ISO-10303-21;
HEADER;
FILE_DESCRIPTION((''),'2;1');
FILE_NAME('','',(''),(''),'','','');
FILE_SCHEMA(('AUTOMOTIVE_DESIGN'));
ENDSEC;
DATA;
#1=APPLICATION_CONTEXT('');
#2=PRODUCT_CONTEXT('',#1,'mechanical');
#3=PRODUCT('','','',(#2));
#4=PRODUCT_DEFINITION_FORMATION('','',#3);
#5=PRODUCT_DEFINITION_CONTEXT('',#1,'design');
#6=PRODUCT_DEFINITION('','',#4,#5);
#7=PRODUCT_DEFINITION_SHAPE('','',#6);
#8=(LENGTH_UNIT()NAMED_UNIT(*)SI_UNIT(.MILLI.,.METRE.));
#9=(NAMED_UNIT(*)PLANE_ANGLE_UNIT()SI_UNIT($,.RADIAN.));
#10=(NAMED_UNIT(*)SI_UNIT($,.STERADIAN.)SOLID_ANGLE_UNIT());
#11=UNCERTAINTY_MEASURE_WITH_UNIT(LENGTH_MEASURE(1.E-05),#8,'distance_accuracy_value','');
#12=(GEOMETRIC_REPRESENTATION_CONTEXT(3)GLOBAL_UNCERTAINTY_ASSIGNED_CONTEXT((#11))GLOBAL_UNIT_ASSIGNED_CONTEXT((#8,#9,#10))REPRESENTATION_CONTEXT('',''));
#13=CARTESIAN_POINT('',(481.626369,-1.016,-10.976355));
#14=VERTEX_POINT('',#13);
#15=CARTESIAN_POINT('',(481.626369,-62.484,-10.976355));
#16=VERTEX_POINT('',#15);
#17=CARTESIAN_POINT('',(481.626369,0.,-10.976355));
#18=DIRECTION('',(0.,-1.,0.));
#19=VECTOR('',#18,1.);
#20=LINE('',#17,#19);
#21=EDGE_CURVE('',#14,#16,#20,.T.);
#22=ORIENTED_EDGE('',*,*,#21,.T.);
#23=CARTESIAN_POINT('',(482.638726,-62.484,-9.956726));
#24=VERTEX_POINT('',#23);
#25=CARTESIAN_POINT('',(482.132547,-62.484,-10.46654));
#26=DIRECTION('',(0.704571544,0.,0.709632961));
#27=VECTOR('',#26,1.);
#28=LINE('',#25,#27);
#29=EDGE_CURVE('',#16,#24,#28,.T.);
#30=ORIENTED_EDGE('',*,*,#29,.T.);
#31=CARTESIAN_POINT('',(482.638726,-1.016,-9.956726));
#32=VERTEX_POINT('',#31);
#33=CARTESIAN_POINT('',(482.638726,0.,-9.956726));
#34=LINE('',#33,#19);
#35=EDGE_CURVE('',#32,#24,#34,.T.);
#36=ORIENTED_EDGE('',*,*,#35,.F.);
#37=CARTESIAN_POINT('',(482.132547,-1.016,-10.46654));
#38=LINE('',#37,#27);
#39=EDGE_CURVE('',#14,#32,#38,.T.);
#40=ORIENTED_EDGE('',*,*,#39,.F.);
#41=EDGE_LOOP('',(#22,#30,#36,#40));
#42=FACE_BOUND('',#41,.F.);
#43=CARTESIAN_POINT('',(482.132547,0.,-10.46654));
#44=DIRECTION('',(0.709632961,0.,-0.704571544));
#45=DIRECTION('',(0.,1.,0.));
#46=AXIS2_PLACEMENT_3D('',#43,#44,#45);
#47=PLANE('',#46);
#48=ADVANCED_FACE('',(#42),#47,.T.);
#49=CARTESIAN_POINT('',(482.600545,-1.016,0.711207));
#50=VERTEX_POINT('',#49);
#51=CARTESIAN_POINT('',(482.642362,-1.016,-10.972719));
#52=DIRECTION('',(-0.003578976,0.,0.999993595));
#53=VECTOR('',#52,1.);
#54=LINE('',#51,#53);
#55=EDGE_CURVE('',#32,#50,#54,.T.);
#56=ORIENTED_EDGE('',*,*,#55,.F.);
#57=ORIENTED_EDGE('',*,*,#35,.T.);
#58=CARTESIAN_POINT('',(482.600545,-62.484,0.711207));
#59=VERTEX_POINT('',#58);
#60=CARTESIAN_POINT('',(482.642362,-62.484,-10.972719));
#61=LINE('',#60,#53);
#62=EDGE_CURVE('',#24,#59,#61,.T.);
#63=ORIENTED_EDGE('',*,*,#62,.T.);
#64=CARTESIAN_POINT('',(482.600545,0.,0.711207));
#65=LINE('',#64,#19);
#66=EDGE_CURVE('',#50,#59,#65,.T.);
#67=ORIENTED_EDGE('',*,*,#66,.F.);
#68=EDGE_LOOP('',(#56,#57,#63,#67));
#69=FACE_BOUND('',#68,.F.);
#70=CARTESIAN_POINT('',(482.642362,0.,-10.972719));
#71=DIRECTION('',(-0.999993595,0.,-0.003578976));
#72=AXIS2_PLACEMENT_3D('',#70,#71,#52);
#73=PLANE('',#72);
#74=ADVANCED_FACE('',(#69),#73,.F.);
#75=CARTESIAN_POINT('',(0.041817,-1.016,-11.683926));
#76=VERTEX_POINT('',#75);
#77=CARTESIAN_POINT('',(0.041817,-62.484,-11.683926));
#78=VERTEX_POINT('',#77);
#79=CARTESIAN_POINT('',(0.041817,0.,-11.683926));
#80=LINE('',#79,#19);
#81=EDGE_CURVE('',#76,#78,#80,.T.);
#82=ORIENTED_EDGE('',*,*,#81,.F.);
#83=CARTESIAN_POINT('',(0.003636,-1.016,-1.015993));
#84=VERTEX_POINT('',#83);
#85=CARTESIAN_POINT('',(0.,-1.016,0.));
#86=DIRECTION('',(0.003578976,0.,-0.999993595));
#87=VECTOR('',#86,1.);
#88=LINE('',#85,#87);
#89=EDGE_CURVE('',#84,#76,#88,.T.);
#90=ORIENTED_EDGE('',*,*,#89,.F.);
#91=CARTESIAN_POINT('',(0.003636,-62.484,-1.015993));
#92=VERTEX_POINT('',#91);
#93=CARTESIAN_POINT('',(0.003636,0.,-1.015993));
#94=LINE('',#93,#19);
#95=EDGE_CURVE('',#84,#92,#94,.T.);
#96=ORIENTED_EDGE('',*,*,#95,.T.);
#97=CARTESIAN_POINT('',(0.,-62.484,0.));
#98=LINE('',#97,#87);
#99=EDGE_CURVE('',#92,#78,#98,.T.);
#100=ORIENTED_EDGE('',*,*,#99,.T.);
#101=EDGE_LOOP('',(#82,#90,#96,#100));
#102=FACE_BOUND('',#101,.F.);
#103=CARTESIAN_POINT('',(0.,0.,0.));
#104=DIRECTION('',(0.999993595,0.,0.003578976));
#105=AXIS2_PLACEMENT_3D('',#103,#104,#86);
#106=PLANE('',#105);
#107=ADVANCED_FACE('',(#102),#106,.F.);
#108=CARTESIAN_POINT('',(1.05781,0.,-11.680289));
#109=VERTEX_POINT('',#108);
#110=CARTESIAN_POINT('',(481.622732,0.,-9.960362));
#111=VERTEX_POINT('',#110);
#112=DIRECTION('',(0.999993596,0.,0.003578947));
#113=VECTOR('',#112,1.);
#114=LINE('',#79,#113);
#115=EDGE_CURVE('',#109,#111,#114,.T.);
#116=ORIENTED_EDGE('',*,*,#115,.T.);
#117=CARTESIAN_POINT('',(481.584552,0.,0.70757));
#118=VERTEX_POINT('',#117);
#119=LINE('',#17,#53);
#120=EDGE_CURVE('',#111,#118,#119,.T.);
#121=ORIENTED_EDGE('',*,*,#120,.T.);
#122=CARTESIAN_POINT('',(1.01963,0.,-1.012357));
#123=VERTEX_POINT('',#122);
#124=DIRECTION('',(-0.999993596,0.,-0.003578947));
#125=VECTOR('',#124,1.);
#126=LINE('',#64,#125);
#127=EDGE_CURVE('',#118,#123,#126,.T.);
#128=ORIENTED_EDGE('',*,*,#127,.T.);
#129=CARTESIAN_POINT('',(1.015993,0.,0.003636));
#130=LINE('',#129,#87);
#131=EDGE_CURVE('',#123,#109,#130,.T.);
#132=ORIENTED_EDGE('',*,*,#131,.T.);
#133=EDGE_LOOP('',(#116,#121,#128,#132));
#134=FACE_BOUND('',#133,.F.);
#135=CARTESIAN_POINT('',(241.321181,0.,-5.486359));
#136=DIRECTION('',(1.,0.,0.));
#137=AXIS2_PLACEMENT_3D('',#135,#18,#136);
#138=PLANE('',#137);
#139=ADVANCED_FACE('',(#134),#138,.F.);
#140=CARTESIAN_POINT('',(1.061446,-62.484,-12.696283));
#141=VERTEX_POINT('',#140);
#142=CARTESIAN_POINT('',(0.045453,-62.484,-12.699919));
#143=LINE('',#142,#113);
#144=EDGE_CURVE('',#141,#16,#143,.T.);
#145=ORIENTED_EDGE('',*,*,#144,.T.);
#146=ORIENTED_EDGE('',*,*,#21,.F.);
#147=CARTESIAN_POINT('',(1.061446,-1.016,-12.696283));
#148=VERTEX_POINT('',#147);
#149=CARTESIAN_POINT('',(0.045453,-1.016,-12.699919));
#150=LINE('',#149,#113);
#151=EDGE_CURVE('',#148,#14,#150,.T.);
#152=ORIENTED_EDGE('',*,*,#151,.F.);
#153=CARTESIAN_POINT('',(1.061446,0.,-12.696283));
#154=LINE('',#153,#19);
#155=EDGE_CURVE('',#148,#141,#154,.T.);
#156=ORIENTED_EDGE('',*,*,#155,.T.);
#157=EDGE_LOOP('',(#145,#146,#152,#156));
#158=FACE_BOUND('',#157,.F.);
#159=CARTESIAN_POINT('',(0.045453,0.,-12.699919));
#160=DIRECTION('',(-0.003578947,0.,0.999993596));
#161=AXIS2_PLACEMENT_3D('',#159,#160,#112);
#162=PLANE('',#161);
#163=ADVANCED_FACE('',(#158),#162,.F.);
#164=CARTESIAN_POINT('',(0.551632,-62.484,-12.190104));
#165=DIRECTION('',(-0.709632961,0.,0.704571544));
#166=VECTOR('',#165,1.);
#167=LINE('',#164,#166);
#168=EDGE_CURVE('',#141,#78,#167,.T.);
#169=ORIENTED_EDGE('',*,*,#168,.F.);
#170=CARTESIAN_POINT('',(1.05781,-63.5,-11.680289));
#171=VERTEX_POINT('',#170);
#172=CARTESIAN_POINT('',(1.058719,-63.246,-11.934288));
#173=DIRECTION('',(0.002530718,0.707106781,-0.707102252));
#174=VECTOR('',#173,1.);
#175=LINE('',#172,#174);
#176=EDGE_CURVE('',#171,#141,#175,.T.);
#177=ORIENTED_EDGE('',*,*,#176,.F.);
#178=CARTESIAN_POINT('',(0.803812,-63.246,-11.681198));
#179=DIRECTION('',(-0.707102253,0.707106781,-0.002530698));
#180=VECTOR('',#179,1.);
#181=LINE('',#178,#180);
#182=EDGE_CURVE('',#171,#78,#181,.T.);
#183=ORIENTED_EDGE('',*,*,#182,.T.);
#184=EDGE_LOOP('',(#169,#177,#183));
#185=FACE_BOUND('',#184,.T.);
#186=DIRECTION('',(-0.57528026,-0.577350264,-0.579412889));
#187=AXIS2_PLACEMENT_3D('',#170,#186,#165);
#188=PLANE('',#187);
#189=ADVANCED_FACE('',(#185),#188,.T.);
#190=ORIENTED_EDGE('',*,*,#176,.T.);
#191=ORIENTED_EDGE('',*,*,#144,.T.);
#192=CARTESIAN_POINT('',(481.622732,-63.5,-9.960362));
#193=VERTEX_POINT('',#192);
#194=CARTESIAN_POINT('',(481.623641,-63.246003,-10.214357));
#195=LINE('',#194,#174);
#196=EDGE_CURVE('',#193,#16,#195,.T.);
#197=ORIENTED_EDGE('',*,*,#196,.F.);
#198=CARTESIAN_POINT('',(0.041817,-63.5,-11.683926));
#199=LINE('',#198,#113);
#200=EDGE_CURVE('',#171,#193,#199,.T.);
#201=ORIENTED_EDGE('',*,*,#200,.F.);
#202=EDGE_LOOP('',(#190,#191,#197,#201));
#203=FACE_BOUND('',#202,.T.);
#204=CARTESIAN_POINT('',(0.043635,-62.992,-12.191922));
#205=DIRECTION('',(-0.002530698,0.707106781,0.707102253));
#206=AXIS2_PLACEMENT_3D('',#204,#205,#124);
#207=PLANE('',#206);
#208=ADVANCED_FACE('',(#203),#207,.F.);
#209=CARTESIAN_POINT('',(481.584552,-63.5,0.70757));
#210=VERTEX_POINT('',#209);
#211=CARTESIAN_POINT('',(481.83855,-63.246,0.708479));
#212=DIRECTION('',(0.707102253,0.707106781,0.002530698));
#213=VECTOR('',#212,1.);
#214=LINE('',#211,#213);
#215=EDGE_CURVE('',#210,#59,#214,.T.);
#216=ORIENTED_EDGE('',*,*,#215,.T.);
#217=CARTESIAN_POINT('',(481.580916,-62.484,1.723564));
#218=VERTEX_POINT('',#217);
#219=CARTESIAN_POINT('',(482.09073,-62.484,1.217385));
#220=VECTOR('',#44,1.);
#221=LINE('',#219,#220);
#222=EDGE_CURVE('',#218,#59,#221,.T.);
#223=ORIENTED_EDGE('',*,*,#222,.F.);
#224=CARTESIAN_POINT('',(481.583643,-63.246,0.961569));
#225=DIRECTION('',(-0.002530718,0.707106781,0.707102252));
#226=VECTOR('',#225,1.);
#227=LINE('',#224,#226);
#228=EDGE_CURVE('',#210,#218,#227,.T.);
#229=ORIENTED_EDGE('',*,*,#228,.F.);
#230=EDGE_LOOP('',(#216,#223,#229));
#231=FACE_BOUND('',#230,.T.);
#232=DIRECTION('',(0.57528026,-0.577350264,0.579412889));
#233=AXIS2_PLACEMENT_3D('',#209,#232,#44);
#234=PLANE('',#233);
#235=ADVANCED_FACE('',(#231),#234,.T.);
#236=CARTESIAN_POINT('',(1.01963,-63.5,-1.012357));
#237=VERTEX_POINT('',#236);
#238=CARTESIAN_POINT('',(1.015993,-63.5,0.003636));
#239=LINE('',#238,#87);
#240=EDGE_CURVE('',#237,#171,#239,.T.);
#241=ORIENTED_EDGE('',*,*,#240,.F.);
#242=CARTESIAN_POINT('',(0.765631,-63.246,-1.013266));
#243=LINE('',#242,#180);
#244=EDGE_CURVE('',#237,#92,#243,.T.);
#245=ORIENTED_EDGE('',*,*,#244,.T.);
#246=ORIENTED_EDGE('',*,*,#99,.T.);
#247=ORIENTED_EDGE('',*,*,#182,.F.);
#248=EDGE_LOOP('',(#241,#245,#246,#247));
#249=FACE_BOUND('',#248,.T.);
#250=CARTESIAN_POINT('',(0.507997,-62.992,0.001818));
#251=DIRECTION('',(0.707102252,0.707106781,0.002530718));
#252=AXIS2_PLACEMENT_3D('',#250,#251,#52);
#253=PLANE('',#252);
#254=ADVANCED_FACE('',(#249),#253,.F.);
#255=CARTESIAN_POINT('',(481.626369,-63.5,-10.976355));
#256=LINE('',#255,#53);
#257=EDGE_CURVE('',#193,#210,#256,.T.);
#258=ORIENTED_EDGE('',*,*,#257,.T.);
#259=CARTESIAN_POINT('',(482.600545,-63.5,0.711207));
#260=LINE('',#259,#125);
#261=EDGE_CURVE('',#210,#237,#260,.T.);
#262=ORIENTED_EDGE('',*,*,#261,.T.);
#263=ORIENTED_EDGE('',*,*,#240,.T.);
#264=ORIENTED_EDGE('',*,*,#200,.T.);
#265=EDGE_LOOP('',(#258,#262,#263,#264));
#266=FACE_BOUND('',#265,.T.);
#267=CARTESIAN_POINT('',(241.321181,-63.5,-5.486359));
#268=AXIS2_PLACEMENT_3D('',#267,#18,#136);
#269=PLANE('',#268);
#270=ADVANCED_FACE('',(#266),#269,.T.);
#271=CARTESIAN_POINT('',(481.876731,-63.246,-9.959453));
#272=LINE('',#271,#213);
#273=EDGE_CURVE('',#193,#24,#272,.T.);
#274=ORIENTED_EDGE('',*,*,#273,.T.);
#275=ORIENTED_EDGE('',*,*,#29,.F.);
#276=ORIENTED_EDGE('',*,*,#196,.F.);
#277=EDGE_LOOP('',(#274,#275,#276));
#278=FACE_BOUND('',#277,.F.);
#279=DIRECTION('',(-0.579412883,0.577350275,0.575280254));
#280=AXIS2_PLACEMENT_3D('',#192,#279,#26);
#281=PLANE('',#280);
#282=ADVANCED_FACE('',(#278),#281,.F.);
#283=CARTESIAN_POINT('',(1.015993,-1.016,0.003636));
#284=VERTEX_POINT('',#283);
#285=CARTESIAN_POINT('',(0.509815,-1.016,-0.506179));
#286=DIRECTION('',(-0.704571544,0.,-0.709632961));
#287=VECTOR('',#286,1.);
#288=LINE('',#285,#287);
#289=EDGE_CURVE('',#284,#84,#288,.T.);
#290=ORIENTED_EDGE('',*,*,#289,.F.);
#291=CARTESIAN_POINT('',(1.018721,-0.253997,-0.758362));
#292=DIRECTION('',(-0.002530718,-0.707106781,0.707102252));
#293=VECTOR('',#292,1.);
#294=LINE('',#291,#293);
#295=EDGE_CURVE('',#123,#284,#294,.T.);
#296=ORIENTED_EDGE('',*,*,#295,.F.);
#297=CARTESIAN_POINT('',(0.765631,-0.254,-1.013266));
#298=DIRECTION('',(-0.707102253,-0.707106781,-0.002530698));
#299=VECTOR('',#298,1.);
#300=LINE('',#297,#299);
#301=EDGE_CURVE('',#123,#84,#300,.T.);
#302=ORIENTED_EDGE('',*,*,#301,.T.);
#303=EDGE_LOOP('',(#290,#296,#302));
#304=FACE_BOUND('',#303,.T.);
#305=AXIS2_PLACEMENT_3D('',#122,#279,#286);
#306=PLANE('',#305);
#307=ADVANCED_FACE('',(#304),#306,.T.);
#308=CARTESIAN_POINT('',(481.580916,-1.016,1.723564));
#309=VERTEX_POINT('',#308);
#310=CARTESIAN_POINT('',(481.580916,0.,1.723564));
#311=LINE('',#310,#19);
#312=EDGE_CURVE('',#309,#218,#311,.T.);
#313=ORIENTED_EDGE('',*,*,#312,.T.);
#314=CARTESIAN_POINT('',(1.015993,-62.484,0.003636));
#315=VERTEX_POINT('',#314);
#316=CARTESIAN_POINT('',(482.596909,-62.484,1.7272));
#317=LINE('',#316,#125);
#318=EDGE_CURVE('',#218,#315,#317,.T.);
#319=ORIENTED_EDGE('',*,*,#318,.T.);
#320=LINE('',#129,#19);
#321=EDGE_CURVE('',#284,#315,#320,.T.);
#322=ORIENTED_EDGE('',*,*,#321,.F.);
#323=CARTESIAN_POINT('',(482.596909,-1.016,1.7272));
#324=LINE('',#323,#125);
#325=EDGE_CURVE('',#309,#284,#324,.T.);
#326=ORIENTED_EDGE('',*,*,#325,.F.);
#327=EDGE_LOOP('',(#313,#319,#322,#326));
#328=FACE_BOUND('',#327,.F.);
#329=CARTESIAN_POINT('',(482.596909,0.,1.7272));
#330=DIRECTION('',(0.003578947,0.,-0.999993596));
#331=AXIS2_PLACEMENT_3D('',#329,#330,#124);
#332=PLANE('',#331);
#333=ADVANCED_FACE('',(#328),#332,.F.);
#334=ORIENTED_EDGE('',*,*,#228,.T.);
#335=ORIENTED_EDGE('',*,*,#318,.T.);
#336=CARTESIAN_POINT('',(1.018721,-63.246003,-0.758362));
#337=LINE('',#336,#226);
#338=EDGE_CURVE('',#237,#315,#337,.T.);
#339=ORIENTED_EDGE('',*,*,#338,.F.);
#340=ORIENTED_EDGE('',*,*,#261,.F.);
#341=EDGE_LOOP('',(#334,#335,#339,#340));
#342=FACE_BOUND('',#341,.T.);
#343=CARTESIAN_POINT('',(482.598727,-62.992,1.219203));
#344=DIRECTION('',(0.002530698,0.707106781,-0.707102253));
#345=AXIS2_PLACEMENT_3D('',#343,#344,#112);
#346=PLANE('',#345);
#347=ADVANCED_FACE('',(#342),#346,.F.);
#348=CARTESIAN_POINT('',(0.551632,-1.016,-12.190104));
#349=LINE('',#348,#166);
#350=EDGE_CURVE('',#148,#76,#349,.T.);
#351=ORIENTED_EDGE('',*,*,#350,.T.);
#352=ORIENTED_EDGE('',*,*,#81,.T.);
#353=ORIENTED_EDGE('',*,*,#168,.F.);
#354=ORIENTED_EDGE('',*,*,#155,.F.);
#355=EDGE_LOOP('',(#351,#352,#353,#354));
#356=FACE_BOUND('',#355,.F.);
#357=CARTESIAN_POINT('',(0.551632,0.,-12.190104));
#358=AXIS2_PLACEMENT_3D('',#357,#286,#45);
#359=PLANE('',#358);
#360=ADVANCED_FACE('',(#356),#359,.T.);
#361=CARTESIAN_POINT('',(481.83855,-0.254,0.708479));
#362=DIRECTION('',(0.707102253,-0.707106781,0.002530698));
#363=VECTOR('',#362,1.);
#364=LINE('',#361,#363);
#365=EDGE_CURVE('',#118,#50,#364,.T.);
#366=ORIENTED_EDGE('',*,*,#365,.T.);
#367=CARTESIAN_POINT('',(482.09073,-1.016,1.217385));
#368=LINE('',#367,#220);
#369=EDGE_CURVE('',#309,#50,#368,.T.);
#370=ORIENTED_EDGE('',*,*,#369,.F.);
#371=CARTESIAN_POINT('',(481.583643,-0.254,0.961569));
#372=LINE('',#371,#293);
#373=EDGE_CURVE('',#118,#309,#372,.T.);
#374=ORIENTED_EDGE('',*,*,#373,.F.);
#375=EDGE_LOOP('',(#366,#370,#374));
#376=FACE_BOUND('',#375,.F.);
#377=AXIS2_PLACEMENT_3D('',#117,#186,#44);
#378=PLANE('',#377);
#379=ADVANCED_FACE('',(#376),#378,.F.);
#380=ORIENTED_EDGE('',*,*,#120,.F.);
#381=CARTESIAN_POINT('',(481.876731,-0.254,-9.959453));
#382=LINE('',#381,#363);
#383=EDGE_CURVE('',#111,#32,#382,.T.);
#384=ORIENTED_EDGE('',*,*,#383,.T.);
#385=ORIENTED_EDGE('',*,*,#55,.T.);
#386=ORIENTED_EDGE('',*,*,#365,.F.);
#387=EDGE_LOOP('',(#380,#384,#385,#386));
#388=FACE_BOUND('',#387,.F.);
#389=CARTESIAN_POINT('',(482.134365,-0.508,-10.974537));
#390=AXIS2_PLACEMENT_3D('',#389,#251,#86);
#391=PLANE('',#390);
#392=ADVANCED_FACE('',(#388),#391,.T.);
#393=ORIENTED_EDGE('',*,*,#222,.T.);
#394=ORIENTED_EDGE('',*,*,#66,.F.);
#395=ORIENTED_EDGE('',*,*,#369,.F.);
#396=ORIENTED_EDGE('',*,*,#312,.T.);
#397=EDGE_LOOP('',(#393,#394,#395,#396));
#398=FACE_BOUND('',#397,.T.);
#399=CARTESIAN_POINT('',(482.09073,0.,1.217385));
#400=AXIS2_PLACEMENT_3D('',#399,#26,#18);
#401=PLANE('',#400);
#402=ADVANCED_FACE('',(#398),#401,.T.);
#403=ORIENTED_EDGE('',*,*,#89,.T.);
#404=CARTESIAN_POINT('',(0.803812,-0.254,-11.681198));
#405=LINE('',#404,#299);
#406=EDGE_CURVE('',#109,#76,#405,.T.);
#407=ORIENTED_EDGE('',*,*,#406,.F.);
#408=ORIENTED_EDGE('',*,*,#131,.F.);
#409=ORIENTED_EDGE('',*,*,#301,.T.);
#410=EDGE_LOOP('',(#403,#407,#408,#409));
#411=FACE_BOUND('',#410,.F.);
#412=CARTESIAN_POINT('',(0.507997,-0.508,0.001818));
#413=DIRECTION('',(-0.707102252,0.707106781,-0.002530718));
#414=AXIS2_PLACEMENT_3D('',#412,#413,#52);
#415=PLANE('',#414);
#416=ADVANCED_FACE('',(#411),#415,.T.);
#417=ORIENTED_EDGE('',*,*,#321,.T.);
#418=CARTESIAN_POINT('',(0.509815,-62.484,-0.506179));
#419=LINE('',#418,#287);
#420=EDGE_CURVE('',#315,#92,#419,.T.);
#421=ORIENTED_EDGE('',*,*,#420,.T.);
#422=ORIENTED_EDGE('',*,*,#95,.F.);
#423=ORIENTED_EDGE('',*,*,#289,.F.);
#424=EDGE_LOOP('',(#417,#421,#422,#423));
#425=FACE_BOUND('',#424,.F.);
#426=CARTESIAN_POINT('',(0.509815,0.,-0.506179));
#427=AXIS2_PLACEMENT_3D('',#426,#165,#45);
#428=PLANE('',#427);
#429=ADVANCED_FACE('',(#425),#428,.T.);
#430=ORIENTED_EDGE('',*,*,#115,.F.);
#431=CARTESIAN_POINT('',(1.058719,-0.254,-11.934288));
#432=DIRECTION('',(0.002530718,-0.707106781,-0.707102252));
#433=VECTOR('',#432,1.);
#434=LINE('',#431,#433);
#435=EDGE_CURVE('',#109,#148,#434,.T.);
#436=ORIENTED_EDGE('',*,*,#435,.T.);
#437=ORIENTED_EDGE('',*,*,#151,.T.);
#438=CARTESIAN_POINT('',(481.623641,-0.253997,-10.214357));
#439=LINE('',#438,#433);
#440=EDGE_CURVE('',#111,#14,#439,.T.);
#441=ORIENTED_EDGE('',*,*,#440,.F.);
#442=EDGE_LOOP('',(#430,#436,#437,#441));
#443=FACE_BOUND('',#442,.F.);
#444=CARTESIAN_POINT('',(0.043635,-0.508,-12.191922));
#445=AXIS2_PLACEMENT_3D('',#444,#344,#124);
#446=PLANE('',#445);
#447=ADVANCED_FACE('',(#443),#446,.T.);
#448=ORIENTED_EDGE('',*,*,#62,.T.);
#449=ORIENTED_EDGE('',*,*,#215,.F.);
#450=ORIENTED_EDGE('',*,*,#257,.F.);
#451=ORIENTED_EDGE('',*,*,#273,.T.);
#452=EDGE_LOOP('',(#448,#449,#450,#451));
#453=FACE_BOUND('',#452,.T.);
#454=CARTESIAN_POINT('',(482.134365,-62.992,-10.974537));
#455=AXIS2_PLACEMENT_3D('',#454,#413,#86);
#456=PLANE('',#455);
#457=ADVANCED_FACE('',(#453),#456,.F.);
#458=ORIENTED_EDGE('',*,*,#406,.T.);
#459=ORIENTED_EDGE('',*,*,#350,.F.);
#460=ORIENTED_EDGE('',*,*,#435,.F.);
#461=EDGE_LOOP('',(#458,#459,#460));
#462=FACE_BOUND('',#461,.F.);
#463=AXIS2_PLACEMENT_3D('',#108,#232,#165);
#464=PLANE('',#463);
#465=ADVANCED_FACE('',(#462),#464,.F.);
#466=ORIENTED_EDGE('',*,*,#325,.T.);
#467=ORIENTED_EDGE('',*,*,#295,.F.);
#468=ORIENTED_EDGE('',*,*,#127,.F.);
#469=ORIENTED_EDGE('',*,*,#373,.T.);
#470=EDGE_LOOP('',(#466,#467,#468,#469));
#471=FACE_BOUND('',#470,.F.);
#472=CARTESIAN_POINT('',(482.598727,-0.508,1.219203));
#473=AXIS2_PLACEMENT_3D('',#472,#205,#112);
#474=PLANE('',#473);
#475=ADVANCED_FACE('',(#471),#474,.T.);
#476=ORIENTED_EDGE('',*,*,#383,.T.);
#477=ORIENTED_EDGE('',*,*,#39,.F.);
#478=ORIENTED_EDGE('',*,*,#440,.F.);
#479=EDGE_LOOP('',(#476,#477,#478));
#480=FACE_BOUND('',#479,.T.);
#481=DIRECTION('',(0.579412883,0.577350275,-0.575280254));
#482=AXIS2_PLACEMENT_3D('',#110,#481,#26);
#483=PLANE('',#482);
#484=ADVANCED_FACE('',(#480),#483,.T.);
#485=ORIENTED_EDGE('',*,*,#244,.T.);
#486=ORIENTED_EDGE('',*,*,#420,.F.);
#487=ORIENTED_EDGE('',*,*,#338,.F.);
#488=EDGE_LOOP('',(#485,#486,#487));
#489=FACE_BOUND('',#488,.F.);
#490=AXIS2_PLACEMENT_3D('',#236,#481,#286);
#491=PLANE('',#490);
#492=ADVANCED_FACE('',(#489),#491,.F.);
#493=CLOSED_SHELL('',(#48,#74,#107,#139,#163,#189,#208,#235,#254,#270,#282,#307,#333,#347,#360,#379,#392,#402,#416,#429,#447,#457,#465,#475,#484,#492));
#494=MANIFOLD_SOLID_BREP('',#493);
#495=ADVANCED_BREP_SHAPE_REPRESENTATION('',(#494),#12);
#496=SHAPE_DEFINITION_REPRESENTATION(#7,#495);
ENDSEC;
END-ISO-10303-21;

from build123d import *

# Parameters (mm, degrees)
F1_DEPTH = 63.5
F2_SIZE  = 1.016


with BuildPart() as f1:
    # F0 (on Front) → F1 (new body)
    with BuildSketch(Plane.XZ):
        Polygon((482.596909, 1.7272), (0, 0), (0.045453, -12.699919), (482.642362, -10.972719), align=None)
    extrude(amount=F1_DEPTH)

    # F2
    f2_edges = [f1.edges().sort_by_distance(p)[0] for p in [
        (482.596909, -31.75, 1.7272),
        (0, -31.75, 0),
        (241.298455, 0, 0.8636),
        (241.298455, -63.5, 0.8636),
        (0.045453, -31.75, -12.699919),
        (482.642362, -31.75, -10.972719),
        (241.343907, 0, -11.836319),
        (241.343907, -63.5, -11.836319),
        (482.619636, -63.5, -4.622759),
        (482.619636, 0, -4.622759),
        (0.022726, -63.5, -6.349959),
        (0.022726, 0, -6.349959),
    ]]
    chamfer(f2_edges, length=F2_SIZE)


solid = f1.part
